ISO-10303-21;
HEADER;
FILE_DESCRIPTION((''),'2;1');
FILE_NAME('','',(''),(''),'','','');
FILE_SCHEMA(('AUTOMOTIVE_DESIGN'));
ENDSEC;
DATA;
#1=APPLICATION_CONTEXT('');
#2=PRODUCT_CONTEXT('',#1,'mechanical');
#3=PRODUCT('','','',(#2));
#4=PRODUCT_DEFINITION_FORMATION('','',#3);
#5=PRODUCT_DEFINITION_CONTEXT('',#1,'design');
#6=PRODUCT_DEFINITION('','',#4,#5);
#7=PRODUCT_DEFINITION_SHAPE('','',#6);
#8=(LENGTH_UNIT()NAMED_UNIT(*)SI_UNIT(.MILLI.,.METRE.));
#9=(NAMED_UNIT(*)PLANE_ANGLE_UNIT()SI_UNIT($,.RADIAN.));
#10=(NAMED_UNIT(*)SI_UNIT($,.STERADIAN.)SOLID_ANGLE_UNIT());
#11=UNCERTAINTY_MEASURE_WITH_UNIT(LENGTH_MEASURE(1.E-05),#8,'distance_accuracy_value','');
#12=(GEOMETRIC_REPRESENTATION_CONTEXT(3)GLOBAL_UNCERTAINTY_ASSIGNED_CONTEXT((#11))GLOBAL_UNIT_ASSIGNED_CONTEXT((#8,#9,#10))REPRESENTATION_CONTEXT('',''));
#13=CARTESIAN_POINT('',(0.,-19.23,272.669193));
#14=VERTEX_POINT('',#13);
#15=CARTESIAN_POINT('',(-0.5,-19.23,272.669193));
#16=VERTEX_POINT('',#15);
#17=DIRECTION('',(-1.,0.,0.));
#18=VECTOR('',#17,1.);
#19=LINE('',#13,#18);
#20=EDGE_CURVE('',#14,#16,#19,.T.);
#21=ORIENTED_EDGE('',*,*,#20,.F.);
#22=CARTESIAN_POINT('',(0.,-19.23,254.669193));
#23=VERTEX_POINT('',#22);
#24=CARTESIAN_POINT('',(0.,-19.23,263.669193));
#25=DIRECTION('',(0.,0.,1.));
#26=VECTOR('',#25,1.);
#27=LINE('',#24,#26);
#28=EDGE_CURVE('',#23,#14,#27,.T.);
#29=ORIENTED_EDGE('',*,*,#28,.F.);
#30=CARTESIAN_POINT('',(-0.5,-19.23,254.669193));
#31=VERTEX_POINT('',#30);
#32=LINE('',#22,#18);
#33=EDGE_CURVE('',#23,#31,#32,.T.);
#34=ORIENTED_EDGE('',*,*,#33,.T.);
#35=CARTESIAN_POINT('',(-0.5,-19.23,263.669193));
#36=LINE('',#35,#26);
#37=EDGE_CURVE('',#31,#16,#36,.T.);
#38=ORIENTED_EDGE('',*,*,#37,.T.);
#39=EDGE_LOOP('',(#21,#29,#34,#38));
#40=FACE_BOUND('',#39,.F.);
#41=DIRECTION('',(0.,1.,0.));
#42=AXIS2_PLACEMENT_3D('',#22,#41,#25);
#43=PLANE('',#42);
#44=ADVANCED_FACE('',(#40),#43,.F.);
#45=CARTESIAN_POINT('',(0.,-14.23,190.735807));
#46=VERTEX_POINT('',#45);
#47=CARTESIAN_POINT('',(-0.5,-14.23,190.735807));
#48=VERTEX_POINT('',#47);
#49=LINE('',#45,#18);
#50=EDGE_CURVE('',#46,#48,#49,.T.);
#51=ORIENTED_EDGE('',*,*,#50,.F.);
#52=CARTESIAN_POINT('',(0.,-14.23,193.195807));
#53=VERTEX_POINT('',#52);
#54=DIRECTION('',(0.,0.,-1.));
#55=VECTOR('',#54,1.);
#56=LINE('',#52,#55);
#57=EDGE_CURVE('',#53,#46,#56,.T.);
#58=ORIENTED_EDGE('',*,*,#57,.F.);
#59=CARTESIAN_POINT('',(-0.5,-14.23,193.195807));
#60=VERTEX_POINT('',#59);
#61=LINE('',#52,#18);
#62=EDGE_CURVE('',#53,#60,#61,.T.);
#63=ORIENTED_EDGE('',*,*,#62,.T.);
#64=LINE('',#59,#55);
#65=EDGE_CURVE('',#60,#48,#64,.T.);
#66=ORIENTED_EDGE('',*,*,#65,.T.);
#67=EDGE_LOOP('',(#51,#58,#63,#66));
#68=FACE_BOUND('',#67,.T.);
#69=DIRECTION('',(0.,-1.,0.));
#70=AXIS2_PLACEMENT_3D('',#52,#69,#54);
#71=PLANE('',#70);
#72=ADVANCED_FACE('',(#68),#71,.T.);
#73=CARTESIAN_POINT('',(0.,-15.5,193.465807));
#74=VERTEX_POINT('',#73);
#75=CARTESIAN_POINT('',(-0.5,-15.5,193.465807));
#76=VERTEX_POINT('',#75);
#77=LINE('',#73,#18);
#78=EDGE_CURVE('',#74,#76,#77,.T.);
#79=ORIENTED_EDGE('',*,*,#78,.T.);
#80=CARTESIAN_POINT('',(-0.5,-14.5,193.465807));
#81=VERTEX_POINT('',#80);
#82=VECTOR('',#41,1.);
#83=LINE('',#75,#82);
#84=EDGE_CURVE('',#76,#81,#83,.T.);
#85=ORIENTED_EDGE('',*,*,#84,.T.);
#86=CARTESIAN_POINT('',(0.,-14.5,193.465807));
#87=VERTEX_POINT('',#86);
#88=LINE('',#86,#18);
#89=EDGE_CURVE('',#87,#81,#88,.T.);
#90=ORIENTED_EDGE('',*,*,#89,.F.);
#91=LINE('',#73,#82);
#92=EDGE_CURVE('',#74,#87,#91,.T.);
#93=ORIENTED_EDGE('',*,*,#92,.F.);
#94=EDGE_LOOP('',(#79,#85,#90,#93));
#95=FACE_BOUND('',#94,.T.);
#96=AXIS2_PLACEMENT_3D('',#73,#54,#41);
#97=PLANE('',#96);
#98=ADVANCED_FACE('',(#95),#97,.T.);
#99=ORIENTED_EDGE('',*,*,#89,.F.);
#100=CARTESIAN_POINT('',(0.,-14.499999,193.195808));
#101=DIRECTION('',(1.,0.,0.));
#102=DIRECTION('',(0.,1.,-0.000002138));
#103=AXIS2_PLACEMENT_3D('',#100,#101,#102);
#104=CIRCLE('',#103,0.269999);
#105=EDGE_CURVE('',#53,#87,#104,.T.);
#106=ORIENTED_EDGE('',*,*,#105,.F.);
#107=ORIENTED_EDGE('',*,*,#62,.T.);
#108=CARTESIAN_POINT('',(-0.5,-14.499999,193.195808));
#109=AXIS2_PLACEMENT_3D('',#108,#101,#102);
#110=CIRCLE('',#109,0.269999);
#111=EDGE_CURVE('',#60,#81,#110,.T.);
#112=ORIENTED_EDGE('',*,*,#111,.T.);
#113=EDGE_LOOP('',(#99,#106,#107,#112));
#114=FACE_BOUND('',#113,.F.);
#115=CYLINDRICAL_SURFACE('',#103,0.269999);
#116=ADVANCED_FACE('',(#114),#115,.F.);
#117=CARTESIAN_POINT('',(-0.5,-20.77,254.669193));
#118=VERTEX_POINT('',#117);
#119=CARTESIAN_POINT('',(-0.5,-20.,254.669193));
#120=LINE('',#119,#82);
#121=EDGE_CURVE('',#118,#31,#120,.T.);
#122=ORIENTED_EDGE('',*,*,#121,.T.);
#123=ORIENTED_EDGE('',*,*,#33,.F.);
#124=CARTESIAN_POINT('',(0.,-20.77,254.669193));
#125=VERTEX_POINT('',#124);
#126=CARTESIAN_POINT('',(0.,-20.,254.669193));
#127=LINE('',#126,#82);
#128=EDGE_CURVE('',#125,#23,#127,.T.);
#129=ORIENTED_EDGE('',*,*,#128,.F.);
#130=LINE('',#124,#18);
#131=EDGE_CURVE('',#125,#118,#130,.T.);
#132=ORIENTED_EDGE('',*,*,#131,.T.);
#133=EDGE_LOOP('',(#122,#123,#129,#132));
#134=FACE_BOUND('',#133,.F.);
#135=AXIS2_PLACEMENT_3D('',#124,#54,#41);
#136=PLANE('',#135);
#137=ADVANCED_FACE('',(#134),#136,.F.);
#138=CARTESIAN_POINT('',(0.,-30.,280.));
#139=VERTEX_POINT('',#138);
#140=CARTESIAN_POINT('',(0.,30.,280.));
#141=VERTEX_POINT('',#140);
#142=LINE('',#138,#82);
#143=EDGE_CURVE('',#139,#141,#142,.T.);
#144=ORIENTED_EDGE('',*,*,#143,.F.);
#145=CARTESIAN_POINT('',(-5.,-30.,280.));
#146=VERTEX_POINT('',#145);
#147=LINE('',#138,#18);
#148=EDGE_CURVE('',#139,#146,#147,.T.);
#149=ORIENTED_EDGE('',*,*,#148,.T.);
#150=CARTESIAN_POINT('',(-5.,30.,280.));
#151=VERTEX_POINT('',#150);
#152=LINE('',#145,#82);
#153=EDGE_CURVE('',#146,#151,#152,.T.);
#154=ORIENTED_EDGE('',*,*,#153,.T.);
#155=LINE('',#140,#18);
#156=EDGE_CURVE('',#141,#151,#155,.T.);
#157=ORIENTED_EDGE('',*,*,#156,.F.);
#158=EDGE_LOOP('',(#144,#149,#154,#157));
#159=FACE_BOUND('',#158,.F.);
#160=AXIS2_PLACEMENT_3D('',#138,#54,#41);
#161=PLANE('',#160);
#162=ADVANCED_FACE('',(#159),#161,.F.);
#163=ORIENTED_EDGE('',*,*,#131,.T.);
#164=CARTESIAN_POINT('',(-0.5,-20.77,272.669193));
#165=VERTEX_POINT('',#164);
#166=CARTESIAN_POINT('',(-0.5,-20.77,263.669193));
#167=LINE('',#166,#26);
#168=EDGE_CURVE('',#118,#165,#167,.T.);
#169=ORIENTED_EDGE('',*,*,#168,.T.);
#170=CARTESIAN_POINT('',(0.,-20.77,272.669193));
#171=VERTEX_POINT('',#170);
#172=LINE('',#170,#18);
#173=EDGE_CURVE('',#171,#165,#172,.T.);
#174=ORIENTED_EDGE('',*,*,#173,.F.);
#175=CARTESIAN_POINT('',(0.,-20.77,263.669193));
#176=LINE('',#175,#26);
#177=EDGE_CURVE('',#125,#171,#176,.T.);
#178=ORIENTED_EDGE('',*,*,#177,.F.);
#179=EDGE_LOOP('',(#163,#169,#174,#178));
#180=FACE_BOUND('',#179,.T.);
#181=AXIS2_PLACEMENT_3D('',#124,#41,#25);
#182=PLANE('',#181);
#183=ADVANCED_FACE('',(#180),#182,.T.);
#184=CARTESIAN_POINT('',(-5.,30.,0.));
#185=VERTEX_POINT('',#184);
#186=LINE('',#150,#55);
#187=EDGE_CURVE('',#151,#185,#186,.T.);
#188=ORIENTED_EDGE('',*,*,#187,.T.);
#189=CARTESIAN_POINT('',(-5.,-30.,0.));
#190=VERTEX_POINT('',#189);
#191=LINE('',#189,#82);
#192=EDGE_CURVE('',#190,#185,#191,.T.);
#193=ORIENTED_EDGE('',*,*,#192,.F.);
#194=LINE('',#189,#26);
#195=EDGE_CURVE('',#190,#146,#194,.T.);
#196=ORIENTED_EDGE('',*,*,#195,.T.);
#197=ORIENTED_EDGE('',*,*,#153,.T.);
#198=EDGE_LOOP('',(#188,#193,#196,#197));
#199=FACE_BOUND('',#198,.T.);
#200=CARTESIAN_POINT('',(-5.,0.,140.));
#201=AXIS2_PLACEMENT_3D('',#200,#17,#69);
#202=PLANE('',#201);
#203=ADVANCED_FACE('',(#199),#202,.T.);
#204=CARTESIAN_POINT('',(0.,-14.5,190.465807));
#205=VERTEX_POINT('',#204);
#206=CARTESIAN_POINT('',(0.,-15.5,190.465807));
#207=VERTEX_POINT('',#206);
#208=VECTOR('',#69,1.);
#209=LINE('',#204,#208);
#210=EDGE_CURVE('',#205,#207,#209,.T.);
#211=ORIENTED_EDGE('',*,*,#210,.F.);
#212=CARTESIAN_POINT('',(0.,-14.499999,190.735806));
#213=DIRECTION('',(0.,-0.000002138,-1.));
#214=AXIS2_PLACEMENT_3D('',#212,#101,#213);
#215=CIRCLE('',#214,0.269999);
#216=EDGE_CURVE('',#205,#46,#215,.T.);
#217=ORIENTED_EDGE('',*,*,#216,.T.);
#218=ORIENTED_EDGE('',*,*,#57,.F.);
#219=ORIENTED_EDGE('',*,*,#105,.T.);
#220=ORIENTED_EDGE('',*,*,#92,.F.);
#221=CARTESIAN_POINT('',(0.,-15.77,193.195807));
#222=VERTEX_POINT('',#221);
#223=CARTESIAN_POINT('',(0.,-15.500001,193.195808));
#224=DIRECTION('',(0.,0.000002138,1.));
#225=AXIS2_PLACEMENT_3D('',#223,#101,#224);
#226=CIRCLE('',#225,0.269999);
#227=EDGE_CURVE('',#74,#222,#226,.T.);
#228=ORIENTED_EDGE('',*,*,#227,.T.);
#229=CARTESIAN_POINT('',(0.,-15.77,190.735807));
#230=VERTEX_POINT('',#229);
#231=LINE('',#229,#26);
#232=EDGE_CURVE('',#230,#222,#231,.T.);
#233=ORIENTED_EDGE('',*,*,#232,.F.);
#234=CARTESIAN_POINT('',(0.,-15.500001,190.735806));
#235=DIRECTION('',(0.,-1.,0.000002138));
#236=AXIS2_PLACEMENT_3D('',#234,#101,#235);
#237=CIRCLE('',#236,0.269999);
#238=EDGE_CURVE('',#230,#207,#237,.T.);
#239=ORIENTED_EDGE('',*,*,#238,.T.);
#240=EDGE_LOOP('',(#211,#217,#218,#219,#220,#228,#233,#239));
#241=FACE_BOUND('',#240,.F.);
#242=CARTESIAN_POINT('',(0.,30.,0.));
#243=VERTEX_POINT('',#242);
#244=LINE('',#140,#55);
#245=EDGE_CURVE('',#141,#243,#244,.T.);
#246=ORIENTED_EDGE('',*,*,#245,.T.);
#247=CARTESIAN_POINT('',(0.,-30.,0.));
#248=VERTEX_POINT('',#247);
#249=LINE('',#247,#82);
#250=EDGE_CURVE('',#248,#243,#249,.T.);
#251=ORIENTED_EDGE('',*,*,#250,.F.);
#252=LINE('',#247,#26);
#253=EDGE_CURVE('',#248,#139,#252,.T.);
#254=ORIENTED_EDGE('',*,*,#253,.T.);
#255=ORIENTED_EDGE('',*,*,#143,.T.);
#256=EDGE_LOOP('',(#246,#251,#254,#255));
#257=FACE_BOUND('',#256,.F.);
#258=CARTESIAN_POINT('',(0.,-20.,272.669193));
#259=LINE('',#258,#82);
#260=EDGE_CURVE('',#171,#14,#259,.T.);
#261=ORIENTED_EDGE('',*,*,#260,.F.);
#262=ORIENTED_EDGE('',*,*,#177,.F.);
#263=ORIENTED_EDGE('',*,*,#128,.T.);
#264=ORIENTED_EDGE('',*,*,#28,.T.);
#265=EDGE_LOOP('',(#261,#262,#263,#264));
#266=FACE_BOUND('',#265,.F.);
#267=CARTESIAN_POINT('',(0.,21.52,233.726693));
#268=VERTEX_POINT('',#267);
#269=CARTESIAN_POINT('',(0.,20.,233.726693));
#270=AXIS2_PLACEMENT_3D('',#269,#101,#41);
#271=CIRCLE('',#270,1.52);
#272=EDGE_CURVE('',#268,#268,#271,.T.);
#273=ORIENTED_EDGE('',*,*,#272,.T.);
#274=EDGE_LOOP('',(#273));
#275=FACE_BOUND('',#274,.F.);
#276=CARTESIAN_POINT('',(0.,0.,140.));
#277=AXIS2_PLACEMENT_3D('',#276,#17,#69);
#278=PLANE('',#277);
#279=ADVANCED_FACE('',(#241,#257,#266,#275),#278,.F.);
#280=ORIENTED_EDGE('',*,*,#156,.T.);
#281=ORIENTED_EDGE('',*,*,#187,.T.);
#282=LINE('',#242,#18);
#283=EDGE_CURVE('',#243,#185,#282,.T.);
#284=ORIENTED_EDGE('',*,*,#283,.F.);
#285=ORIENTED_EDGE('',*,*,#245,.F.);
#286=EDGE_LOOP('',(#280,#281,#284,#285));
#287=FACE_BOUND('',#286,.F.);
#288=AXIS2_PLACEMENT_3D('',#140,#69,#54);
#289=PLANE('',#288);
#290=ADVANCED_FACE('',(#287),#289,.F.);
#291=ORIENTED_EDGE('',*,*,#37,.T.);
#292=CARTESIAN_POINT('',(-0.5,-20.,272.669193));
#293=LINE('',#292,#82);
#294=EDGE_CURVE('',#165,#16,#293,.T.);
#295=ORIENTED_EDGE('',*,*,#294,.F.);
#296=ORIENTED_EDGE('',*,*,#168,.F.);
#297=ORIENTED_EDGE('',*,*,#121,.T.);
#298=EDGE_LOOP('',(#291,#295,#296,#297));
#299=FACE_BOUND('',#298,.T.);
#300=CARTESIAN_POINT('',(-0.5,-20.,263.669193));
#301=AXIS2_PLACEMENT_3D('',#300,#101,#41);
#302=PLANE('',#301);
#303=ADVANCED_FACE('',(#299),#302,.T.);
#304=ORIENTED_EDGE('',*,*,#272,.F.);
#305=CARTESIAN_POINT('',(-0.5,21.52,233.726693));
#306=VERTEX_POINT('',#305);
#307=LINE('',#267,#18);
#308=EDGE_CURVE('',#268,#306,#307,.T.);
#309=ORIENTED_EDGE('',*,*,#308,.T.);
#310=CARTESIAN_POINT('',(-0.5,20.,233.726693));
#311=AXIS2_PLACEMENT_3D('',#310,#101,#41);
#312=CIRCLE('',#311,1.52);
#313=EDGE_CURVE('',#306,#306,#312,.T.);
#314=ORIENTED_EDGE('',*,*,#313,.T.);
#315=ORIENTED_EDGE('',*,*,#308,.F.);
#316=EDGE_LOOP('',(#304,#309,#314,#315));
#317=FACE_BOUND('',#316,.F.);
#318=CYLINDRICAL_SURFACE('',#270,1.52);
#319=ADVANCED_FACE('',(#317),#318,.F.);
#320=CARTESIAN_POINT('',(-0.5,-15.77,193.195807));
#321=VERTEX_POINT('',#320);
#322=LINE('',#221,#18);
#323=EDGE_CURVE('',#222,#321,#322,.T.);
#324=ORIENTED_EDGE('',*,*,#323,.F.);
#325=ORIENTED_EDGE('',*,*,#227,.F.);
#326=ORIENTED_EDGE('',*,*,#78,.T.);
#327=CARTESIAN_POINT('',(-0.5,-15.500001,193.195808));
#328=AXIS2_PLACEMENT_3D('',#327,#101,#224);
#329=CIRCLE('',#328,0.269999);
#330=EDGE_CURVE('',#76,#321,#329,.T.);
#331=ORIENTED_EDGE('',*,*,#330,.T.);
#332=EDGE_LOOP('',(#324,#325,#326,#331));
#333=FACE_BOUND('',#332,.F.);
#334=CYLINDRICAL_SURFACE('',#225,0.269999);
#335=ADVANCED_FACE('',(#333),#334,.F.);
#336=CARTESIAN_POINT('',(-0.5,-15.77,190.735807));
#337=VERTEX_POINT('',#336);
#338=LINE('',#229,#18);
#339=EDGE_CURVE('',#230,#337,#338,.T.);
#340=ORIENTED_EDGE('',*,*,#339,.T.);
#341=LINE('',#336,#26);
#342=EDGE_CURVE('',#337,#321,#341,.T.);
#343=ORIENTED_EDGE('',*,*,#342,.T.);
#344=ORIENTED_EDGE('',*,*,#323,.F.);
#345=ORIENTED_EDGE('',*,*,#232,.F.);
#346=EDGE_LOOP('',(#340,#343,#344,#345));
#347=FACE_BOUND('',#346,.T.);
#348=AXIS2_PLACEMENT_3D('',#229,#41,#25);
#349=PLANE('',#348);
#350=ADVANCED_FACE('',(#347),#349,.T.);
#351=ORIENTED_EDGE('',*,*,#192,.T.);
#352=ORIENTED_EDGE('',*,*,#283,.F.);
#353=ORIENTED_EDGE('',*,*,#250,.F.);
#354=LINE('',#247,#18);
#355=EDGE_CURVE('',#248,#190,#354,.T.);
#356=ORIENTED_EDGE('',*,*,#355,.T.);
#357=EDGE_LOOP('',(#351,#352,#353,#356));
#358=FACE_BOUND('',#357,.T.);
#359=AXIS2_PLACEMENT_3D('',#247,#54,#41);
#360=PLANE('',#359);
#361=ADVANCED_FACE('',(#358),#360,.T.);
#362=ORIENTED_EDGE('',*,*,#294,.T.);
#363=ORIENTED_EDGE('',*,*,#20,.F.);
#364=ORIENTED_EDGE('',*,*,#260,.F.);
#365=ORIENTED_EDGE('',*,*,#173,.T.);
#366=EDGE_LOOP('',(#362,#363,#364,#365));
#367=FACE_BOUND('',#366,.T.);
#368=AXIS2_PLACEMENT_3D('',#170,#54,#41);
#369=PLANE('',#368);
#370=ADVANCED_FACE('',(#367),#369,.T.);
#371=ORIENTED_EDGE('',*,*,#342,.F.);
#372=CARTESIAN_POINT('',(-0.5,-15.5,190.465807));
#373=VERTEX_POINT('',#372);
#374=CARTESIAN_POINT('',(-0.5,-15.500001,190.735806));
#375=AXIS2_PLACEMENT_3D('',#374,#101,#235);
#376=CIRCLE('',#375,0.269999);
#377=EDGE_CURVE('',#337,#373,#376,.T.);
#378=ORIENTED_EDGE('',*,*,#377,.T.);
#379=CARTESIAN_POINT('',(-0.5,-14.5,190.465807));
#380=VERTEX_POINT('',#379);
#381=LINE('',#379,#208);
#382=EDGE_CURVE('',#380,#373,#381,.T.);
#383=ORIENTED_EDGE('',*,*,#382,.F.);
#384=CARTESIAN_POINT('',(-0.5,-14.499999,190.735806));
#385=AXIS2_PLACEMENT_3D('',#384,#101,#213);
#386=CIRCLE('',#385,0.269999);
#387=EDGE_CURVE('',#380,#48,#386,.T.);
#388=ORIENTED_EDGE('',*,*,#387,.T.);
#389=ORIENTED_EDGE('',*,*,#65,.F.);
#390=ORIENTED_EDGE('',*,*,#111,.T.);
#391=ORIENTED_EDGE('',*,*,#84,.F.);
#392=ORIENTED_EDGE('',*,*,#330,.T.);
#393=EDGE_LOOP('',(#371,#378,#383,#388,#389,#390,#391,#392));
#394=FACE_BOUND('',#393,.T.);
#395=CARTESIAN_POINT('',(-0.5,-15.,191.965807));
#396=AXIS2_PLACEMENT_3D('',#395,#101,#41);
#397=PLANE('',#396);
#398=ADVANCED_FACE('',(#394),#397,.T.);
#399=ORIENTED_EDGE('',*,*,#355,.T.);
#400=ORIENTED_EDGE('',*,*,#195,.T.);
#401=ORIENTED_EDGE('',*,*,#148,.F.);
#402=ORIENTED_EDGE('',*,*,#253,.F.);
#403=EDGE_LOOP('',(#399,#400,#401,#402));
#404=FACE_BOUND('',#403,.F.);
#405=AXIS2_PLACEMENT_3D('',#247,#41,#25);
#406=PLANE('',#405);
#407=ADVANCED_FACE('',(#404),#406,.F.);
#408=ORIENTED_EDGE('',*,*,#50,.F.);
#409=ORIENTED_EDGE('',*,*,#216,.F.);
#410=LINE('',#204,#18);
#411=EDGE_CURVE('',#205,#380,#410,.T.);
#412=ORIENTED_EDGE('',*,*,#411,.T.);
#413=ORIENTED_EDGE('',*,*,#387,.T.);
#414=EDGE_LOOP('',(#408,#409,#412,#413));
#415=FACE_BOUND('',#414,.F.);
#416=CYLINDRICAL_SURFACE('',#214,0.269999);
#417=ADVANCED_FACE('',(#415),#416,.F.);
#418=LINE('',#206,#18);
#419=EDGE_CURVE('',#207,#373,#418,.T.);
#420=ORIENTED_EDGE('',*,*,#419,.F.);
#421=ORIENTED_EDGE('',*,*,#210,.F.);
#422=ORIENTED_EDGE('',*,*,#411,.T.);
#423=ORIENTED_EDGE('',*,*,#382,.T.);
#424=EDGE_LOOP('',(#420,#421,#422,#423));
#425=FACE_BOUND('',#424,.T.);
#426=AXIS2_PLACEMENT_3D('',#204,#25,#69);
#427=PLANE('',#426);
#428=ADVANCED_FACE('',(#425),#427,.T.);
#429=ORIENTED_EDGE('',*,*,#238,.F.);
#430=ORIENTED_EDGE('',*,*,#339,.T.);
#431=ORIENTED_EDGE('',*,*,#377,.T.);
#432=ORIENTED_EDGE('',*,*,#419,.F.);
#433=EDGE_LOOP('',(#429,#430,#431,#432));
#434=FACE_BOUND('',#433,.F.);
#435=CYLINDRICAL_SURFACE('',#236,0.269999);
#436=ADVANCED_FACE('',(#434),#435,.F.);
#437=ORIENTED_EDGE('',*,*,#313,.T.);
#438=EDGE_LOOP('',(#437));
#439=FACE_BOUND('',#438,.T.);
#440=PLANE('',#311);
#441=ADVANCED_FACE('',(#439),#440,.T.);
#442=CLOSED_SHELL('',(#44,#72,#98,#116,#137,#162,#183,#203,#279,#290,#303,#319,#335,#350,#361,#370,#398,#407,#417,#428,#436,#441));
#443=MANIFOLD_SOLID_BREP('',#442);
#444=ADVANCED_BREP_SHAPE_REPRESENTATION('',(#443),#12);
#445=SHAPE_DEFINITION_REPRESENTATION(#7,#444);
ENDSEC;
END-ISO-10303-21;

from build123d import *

# Parameters (mm, degrees)
PAD_DEPTH       = 5
SKETCH001_R     = 1.52
POCKET_DEPTH    = 0.5
SKETCH002_W     = 1.54
SKETCH002_H     = 18
POCKET001_DEPTH = 0.5
POCKET002_DEPTH = 0.5


with BuildPart() as part:
    # Sketch → Pad (new body)
    with BuildSketch(Plane.YZ):
        Polygon((0, 0), (-30, 0), (-30, 280), (30, 280), (30, 0), align=None)
    extrude(amount=-PAD_DEPTH)

    # Sketch001 → Pocket (cut)
    with BuildSketch(Plane.YZ):
        with Locations((20, 233.726693)):
            Circle(SKETCH001_R)
    extrude(amount=-POCKET_DEPTH, mode=Mode.SUBTRACT)

    # Sketch002 → Pocket001 (cut)
    with BuildSketch(Plane.YZ):
        with Locations((-20, 263.669193)):
            Rectangle(SKETCH002_W, SKETCH002_H)
    extrude(amount=-POCKET001_DEPTH, mode=Mode.SUBTRACT)

    # Sketch003 → Pocket002 (cut)
    with BuildSketch(Plane.YZ):
        with BuildLine():
            ThreePointArc((-15.5, 193.465807), (-15.690919, 193.386726), (-15.77, 193.195807))
            Line((-15.77, 190.735807), (-15.77, 193.195807))
            ThreePointArc((-15.77, 190.735807), (-15.690919, 190.544888), (-15.5, 190.465807))
            Line((-14.5, 190.465807), (-15.5, 190.465807))
            ThreePointArc((-14.5, 190.465807), (-14.309081, 190.544888), (-14.23, 190.735807))
            Line((-14.23, 193.195807), (-14.23, 190.735807))
            ThreePointArc((-14.23, 193.195807), (-14.309081, 193.386726), (-14.5, 193.465807))
            Line((-15.5, 193.465807), (-14.5, 193.465807))
        make_face()
    extrude(amount=-POCKET002_DEPTH, mode=Mode.SUBTRACT)


solid = part.part
